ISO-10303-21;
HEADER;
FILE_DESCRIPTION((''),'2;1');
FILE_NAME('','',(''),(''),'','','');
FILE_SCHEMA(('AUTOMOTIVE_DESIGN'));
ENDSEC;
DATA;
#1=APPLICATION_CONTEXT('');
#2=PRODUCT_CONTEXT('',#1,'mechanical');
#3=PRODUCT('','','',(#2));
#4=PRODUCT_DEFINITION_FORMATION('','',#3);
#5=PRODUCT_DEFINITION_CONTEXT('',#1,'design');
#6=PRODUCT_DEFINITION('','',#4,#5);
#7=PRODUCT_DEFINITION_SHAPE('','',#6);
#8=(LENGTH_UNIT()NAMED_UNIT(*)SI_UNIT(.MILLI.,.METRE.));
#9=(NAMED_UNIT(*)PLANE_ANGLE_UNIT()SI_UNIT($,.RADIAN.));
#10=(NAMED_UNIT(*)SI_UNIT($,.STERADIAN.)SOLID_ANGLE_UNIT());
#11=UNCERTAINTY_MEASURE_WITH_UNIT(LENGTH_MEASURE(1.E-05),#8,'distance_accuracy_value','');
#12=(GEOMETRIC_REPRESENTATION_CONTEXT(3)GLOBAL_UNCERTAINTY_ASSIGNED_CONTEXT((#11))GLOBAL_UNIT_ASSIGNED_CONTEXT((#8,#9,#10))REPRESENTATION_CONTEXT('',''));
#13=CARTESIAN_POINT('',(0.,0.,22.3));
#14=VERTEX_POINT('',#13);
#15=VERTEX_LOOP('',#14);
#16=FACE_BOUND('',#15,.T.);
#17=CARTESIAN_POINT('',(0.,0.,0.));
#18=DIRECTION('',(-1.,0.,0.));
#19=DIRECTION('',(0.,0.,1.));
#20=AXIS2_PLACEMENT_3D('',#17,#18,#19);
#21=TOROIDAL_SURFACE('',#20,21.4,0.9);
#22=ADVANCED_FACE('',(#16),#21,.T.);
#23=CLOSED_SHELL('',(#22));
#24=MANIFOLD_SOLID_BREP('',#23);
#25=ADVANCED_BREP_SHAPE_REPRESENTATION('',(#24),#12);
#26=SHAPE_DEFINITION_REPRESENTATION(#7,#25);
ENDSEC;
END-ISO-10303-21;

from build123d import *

# Parameters (mm, degrees)
SKETCH4_R = 0.9


with BuildPart() as part:
    # Sketch4 → Revolve1 (revolve)
    with BuildSketch(Plane.XY, mode=Mode.PRIVATE) as revolve1_sk:
        with Locations((0, 21.4)):
            Circle(SKETCH4_R)
    revolve(revolve1_sk.sketch.rotate(Axis((-88.898006971, 0, 0), (1, 0, 0)), 90), axis=Axis((-88.898006971, 0, 0), (1, 0, 0)))


solid = part.part
